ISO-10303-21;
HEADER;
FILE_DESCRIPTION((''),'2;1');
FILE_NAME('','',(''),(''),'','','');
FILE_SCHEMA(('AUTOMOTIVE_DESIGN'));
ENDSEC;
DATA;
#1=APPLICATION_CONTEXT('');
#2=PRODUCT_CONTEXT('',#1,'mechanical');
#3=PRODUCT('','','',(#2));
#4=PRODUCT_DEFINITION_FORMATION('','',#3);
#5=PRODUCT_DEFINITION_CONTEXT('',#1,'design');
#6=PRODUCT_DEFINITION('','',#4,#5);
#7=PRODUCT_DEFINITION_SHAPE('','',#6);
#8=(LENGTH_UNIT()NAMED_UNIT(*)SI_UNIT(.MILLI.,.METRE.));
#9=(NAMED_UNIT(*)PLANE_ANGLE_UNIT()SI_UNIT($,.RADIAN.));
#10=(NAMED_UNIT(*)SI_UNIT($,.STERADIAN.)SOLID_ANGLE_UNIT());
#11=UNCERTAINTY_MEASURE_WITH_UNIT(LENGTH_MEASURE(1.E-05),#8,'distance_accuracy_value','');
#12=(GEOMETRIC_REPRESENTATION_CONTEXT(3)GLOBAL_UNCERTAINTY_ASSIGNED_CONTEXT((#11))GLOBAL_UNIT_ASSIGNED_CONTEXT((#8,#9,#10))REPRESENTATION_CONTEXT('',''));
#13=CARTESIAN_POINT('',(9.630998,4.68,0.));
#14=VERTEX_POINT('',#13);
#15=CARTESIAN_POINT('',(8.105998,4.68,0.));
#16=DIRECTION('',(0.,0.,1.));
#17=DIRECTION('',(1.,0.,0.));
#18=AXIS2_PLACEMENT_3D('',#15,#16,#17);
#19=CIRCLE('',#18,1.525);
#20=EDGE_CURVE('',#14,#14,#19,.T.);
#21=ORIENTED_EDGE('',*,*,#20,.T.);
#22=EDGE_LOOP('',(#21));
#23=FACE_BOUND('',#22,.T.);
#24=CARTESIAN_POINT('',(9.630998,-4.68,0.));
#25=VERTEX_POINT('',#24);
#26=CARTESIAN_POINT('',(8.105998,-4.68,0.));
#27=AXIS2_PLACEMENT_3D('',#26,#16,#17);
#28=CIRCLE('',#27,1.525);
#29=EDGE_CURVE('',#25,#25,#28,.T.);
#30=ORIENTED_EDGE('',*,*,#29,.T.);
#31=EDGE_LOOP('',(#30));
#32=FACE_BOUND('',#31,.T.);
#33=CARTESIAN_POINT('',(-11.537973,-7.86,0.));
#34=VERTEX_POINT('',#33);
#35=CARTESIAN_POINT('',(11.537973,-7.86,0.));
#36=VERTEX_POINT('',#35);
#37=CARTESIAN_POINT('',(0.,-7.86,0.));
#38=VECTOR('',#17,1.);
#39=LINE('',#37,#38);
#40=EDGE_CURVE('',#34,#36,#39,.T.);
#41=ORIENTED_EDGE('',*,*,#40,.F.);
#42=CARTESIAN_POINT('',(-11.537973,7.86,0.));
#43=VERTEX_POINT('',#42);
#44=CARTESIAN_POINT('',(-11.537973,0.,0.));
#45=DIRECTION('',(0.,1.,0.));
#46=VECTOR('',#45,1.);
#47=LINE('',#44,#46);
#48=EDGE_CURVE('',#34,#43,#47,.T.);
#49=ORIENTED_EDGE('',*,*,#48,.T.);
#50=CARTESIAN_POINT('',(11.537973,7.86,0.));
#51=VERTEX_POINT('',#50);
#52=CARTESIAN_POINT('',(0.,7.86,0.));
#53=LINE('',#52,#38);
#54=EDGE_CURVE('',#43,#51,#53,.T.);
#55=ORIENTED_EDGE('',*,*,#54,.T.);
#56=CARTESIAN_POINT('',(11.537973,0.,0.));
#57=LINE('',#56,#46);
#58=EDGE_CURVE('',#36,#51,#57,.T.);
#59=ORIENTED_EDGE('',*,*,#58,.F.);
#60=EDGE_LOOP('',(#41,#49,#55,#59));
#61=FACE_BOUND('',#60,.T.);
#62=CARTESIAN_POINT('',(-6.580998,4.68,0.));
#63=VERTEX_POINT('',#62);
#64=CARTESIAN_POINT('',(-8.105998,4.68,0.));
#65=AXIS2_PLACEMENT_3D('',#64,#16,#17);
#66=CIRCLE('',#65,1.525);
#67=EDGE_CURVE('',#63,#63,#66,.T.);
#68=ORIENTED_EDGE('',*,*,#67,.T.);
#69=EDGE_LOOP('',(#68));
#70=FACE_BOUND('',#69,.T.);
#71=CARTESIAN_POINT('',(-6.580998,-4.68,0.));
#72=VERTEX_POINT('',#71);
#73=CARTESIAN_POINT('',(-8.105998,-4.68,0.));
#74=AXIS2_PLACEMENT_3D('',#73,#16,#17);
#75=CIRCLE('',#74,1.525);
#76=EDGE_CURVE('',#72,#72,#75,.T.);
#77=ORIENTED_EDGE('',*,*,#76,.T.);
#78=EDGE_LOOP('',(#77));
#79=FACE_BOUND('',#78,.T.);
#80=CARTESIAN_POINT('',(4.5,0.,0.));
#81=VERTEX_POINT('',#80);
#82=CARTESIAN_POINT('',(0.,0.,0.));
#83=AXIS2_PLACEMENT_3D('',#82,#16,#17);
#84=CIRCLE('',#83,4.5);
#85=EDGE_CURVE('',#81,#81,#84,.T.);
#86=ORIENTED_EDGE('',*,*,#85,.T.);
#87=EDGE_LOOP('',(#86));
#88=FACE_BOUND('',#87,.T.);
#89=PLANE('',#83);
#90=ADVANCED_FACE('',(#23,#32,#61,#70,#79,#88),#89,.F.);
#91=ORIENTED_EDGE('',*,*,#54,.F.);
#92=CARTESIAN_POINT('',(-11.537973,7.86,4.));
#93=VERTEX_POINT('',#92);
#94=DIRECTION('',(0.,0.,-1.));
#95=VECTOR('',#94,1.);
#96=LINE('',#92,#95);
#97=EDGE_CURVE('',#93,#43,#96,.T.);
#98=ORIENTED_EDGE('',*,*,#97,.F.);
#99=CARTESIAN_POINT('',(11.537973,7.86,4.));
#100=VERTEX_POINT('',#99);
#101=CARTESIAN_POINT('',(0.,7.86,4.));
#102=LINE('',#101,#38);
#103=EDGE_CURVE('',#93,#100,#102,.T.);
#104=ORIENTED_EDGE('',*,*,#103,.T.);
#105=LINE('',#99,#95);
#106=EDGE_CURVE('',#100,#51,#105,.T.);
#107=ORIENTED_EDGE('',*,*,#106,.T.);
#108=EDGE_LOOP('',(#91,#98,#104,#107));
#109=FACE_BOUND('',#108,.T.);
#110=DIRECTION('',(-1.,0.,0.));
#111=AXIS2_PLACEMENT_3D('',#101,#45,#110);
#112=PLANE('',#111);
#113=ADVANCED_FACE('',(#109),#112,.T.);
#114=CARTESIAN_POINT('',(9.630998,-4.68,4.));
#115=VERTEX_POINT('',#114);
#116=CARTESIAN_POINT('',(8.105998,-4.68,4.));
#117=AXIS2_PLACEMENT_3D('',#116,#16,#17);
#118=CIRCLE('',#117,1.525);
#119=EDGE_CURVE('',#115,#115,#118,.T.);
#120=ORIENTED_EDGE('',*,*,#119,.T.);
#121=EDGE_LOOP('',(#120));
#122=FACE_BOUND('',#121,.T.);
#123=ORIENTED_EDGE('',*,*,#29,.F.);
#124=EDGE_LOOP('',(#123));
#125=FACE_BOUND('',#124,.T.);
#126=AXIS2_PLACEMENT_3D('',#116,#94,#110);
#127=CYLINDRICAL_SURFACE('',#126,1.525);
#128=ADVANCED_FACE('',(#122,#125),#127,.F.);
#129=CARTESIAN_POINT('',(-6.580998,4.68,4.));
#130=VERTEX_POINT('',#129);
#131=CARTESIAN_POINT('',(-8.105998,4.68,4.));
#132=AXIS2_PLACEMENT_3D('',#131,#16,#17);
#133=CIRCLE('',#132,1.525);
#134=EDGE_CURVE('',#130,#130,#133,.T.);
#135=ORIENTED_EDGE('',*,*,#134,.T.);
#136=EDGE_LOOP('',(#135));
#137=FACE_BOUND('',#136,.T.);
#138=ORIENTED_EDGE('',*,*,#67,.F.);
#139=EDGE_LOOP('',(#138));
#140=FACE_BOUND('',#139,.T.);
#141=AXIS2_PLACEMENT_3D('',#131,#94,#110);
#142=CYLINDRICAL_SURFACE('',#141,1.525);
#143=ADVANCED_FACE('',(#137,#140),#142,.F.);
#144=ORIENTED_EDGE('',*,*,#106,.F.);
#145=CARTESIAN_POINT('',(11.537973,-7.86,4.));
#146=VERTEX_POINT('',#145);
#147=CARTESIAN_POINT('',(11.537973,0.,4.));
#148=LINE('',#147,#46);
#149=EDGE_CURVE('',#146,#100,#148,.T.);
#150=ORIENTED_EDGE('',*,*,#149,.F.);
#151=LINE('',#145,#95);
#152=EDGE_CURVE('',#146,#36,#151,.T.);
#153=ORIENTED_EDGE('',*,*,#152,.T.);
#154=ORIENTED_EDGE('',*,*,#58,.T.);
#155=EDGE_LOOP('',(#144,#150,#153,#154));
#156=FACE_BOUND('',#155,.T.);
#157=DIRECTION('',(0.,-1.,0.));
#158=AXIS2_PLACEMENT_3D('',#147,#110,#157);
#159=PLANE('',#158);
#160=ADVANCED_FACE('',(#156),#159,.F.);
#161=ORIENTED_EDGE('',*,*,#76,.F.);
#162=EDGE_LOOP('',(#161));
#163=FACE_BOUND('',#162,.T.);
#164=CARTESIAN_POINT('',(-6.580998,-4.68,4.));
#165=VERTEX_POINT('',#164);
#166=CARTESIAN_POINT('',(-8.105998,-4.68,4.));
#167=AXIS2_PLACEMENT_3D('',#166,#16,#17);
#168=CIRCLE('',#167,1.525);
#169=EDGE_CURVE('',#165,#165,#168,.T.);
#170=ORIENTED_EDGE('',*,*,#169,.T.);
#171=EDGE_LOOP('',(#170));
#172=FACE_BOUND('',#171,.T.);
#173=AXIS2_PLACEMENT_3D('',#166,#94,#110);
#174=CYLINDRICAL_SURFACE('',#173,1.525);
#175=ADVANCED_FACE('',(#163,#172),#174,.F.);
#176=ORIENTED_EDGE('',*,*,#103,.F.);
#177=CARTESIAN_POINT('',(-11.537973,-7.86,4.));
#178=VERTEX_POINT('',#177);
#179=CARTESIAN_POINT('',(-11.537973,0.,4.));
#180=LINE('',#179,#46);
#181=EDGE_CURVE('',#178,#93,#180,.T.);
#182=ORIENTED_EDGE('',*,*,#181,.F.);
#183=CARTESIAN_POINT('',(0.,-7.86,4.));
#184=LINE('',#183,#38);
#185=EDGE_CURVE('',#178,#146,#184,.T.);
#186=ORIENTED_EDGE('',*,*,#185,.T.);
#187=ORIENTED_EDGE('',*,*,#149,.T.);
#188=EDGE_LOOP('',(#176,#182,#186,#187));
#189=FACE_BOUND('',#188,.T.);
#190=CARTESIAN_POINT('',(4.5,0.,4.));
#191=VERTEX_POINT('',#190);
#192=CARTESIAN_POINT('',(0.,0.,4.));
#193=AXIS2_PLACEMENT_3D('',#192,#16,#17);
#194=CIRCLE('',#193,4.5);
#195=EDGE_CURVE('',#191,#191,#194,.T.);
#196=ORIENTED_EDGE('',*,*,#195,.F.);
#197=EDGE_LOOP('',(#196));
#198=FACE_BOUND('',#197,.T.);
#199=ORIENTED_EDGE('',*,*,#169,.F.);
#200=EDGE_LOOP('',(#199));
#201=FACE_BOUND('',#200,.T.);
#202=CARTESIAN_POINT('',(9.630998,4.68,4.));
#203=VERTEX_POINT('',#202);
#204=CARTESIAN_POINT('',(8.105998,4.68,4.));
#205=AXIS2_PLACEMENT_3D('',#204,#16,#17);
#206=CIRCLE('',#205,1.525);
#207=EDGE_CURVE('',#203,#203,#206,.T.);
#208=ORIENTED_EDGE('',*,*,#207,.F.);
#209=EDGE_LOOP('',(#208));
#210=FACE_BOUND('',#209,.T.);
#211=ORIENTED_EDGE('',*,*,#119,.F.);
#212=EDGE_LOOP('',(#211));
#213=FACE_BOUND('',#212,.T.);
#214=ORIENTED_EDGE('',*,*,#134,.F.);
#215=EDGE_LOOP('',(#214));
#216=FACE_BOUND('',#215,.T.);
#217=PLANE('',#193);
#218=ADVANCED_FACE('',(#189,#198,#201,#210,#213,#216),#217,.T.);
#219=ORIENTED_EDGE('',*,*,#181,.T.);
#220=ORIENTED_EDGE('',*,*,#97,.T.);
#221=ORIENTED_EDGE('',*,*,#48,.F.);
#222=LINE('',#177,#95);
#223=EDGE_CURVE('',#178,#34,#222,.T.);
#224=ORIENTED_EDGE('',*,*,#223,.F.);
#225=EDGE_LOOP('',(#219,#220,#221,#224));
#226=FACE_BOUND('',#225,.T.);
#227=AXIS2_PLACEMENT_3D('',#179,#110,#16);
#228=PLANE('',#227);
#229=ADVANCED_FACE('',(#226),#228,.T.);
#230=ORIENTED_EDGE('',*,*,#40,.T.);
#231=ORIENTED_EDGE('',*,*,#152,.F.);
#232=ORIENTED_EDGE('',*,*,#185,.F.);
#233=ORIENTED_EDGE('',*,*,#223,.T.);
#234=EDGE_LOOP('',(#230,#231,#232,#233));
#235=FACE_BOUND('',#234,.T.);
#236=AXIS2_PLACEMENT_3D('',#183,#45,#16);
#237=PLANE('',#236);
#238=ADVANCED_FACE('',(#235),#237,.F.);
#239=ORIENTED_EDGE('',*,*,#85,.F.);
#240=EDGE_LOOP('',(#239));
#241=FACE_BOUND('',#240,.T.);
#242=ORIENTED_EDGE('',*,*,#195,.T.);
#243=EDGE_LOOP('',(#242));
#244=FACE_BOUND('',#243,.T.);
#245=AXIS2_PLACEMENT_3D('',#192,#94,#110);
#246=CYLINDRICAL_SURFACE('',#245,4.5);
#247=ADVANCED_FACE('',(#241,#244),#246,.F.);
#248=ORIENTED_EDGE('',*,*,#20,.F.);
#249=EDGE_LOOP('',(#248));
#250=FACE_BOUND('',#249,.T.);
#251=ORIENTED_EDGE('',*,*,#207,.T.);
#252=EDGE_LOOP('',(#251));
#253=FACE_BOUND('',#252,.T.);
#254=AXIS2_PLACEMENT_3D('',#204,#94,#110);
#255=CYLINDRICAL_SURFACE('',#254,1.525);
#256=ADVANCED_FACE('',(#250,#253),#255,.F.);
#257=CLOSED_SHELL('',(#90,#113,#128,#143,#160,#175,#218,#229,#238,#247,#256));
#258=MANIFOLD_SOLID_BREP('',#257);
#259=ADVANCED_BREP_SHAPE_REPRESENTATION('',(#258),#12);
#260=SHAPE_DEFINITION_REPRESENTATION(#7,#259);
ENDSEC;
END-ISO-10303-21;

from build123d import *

# Parameters (mm, degrees)
SKETCH1_W           = 23.075946232
SKETCH1_H           = 15.72
SKETCH1_R           = 1.525
SKETCH1_R_2         = 4.5
BOSS_EXTRUDE2_DEPTH = 4


with BuildPart() as part:
    # Sketch1 → Boss-Extrude2 (new body)
    with BuildSketch(Plane.XY):
        Rectangle(SKETCH1_W, SKETCH1_H)
        with Locations((-8.105997779, -4.68)):
            Circle(SKETCH1_R, mode=Mode.SUBTRACT)
        with Locations((8.105997779, -4.68)):
            Circle(SKETCH1_R, mode=Mode.SUBTRACT)
        with Locations((8.105997779, 4.68)):
            Circle(SKETCH1_R, mode=Mode.SUBTRACT)
        with Locations((-8.105997779, 4.68)):
            Circle(SKETCH1_R, mode=Mode.SUBTRACT)
        Polygon((3.671947712, -6.36), (7.343895424, 0), (3.671947712, 6.36), (-3.671947712, 6.36), (-7.343895424, 0), (-3.671947712, -6.36), align=None, mode=Mode.SUBTRACT)
        Polygon((-3.671947712, -6.36), (3.671947712, -6.36), (7.343895424, 0), (3.671947712, 6.36), (-3.671947712, 6.36), (-7.343895424, 0), align=None)
        Circle(SKETCH1_R_2, mode=Mode.SUBTRACT)
    extrude(amount=BOSS_EXTRUDE2_DEPTH)


solid = part.part
